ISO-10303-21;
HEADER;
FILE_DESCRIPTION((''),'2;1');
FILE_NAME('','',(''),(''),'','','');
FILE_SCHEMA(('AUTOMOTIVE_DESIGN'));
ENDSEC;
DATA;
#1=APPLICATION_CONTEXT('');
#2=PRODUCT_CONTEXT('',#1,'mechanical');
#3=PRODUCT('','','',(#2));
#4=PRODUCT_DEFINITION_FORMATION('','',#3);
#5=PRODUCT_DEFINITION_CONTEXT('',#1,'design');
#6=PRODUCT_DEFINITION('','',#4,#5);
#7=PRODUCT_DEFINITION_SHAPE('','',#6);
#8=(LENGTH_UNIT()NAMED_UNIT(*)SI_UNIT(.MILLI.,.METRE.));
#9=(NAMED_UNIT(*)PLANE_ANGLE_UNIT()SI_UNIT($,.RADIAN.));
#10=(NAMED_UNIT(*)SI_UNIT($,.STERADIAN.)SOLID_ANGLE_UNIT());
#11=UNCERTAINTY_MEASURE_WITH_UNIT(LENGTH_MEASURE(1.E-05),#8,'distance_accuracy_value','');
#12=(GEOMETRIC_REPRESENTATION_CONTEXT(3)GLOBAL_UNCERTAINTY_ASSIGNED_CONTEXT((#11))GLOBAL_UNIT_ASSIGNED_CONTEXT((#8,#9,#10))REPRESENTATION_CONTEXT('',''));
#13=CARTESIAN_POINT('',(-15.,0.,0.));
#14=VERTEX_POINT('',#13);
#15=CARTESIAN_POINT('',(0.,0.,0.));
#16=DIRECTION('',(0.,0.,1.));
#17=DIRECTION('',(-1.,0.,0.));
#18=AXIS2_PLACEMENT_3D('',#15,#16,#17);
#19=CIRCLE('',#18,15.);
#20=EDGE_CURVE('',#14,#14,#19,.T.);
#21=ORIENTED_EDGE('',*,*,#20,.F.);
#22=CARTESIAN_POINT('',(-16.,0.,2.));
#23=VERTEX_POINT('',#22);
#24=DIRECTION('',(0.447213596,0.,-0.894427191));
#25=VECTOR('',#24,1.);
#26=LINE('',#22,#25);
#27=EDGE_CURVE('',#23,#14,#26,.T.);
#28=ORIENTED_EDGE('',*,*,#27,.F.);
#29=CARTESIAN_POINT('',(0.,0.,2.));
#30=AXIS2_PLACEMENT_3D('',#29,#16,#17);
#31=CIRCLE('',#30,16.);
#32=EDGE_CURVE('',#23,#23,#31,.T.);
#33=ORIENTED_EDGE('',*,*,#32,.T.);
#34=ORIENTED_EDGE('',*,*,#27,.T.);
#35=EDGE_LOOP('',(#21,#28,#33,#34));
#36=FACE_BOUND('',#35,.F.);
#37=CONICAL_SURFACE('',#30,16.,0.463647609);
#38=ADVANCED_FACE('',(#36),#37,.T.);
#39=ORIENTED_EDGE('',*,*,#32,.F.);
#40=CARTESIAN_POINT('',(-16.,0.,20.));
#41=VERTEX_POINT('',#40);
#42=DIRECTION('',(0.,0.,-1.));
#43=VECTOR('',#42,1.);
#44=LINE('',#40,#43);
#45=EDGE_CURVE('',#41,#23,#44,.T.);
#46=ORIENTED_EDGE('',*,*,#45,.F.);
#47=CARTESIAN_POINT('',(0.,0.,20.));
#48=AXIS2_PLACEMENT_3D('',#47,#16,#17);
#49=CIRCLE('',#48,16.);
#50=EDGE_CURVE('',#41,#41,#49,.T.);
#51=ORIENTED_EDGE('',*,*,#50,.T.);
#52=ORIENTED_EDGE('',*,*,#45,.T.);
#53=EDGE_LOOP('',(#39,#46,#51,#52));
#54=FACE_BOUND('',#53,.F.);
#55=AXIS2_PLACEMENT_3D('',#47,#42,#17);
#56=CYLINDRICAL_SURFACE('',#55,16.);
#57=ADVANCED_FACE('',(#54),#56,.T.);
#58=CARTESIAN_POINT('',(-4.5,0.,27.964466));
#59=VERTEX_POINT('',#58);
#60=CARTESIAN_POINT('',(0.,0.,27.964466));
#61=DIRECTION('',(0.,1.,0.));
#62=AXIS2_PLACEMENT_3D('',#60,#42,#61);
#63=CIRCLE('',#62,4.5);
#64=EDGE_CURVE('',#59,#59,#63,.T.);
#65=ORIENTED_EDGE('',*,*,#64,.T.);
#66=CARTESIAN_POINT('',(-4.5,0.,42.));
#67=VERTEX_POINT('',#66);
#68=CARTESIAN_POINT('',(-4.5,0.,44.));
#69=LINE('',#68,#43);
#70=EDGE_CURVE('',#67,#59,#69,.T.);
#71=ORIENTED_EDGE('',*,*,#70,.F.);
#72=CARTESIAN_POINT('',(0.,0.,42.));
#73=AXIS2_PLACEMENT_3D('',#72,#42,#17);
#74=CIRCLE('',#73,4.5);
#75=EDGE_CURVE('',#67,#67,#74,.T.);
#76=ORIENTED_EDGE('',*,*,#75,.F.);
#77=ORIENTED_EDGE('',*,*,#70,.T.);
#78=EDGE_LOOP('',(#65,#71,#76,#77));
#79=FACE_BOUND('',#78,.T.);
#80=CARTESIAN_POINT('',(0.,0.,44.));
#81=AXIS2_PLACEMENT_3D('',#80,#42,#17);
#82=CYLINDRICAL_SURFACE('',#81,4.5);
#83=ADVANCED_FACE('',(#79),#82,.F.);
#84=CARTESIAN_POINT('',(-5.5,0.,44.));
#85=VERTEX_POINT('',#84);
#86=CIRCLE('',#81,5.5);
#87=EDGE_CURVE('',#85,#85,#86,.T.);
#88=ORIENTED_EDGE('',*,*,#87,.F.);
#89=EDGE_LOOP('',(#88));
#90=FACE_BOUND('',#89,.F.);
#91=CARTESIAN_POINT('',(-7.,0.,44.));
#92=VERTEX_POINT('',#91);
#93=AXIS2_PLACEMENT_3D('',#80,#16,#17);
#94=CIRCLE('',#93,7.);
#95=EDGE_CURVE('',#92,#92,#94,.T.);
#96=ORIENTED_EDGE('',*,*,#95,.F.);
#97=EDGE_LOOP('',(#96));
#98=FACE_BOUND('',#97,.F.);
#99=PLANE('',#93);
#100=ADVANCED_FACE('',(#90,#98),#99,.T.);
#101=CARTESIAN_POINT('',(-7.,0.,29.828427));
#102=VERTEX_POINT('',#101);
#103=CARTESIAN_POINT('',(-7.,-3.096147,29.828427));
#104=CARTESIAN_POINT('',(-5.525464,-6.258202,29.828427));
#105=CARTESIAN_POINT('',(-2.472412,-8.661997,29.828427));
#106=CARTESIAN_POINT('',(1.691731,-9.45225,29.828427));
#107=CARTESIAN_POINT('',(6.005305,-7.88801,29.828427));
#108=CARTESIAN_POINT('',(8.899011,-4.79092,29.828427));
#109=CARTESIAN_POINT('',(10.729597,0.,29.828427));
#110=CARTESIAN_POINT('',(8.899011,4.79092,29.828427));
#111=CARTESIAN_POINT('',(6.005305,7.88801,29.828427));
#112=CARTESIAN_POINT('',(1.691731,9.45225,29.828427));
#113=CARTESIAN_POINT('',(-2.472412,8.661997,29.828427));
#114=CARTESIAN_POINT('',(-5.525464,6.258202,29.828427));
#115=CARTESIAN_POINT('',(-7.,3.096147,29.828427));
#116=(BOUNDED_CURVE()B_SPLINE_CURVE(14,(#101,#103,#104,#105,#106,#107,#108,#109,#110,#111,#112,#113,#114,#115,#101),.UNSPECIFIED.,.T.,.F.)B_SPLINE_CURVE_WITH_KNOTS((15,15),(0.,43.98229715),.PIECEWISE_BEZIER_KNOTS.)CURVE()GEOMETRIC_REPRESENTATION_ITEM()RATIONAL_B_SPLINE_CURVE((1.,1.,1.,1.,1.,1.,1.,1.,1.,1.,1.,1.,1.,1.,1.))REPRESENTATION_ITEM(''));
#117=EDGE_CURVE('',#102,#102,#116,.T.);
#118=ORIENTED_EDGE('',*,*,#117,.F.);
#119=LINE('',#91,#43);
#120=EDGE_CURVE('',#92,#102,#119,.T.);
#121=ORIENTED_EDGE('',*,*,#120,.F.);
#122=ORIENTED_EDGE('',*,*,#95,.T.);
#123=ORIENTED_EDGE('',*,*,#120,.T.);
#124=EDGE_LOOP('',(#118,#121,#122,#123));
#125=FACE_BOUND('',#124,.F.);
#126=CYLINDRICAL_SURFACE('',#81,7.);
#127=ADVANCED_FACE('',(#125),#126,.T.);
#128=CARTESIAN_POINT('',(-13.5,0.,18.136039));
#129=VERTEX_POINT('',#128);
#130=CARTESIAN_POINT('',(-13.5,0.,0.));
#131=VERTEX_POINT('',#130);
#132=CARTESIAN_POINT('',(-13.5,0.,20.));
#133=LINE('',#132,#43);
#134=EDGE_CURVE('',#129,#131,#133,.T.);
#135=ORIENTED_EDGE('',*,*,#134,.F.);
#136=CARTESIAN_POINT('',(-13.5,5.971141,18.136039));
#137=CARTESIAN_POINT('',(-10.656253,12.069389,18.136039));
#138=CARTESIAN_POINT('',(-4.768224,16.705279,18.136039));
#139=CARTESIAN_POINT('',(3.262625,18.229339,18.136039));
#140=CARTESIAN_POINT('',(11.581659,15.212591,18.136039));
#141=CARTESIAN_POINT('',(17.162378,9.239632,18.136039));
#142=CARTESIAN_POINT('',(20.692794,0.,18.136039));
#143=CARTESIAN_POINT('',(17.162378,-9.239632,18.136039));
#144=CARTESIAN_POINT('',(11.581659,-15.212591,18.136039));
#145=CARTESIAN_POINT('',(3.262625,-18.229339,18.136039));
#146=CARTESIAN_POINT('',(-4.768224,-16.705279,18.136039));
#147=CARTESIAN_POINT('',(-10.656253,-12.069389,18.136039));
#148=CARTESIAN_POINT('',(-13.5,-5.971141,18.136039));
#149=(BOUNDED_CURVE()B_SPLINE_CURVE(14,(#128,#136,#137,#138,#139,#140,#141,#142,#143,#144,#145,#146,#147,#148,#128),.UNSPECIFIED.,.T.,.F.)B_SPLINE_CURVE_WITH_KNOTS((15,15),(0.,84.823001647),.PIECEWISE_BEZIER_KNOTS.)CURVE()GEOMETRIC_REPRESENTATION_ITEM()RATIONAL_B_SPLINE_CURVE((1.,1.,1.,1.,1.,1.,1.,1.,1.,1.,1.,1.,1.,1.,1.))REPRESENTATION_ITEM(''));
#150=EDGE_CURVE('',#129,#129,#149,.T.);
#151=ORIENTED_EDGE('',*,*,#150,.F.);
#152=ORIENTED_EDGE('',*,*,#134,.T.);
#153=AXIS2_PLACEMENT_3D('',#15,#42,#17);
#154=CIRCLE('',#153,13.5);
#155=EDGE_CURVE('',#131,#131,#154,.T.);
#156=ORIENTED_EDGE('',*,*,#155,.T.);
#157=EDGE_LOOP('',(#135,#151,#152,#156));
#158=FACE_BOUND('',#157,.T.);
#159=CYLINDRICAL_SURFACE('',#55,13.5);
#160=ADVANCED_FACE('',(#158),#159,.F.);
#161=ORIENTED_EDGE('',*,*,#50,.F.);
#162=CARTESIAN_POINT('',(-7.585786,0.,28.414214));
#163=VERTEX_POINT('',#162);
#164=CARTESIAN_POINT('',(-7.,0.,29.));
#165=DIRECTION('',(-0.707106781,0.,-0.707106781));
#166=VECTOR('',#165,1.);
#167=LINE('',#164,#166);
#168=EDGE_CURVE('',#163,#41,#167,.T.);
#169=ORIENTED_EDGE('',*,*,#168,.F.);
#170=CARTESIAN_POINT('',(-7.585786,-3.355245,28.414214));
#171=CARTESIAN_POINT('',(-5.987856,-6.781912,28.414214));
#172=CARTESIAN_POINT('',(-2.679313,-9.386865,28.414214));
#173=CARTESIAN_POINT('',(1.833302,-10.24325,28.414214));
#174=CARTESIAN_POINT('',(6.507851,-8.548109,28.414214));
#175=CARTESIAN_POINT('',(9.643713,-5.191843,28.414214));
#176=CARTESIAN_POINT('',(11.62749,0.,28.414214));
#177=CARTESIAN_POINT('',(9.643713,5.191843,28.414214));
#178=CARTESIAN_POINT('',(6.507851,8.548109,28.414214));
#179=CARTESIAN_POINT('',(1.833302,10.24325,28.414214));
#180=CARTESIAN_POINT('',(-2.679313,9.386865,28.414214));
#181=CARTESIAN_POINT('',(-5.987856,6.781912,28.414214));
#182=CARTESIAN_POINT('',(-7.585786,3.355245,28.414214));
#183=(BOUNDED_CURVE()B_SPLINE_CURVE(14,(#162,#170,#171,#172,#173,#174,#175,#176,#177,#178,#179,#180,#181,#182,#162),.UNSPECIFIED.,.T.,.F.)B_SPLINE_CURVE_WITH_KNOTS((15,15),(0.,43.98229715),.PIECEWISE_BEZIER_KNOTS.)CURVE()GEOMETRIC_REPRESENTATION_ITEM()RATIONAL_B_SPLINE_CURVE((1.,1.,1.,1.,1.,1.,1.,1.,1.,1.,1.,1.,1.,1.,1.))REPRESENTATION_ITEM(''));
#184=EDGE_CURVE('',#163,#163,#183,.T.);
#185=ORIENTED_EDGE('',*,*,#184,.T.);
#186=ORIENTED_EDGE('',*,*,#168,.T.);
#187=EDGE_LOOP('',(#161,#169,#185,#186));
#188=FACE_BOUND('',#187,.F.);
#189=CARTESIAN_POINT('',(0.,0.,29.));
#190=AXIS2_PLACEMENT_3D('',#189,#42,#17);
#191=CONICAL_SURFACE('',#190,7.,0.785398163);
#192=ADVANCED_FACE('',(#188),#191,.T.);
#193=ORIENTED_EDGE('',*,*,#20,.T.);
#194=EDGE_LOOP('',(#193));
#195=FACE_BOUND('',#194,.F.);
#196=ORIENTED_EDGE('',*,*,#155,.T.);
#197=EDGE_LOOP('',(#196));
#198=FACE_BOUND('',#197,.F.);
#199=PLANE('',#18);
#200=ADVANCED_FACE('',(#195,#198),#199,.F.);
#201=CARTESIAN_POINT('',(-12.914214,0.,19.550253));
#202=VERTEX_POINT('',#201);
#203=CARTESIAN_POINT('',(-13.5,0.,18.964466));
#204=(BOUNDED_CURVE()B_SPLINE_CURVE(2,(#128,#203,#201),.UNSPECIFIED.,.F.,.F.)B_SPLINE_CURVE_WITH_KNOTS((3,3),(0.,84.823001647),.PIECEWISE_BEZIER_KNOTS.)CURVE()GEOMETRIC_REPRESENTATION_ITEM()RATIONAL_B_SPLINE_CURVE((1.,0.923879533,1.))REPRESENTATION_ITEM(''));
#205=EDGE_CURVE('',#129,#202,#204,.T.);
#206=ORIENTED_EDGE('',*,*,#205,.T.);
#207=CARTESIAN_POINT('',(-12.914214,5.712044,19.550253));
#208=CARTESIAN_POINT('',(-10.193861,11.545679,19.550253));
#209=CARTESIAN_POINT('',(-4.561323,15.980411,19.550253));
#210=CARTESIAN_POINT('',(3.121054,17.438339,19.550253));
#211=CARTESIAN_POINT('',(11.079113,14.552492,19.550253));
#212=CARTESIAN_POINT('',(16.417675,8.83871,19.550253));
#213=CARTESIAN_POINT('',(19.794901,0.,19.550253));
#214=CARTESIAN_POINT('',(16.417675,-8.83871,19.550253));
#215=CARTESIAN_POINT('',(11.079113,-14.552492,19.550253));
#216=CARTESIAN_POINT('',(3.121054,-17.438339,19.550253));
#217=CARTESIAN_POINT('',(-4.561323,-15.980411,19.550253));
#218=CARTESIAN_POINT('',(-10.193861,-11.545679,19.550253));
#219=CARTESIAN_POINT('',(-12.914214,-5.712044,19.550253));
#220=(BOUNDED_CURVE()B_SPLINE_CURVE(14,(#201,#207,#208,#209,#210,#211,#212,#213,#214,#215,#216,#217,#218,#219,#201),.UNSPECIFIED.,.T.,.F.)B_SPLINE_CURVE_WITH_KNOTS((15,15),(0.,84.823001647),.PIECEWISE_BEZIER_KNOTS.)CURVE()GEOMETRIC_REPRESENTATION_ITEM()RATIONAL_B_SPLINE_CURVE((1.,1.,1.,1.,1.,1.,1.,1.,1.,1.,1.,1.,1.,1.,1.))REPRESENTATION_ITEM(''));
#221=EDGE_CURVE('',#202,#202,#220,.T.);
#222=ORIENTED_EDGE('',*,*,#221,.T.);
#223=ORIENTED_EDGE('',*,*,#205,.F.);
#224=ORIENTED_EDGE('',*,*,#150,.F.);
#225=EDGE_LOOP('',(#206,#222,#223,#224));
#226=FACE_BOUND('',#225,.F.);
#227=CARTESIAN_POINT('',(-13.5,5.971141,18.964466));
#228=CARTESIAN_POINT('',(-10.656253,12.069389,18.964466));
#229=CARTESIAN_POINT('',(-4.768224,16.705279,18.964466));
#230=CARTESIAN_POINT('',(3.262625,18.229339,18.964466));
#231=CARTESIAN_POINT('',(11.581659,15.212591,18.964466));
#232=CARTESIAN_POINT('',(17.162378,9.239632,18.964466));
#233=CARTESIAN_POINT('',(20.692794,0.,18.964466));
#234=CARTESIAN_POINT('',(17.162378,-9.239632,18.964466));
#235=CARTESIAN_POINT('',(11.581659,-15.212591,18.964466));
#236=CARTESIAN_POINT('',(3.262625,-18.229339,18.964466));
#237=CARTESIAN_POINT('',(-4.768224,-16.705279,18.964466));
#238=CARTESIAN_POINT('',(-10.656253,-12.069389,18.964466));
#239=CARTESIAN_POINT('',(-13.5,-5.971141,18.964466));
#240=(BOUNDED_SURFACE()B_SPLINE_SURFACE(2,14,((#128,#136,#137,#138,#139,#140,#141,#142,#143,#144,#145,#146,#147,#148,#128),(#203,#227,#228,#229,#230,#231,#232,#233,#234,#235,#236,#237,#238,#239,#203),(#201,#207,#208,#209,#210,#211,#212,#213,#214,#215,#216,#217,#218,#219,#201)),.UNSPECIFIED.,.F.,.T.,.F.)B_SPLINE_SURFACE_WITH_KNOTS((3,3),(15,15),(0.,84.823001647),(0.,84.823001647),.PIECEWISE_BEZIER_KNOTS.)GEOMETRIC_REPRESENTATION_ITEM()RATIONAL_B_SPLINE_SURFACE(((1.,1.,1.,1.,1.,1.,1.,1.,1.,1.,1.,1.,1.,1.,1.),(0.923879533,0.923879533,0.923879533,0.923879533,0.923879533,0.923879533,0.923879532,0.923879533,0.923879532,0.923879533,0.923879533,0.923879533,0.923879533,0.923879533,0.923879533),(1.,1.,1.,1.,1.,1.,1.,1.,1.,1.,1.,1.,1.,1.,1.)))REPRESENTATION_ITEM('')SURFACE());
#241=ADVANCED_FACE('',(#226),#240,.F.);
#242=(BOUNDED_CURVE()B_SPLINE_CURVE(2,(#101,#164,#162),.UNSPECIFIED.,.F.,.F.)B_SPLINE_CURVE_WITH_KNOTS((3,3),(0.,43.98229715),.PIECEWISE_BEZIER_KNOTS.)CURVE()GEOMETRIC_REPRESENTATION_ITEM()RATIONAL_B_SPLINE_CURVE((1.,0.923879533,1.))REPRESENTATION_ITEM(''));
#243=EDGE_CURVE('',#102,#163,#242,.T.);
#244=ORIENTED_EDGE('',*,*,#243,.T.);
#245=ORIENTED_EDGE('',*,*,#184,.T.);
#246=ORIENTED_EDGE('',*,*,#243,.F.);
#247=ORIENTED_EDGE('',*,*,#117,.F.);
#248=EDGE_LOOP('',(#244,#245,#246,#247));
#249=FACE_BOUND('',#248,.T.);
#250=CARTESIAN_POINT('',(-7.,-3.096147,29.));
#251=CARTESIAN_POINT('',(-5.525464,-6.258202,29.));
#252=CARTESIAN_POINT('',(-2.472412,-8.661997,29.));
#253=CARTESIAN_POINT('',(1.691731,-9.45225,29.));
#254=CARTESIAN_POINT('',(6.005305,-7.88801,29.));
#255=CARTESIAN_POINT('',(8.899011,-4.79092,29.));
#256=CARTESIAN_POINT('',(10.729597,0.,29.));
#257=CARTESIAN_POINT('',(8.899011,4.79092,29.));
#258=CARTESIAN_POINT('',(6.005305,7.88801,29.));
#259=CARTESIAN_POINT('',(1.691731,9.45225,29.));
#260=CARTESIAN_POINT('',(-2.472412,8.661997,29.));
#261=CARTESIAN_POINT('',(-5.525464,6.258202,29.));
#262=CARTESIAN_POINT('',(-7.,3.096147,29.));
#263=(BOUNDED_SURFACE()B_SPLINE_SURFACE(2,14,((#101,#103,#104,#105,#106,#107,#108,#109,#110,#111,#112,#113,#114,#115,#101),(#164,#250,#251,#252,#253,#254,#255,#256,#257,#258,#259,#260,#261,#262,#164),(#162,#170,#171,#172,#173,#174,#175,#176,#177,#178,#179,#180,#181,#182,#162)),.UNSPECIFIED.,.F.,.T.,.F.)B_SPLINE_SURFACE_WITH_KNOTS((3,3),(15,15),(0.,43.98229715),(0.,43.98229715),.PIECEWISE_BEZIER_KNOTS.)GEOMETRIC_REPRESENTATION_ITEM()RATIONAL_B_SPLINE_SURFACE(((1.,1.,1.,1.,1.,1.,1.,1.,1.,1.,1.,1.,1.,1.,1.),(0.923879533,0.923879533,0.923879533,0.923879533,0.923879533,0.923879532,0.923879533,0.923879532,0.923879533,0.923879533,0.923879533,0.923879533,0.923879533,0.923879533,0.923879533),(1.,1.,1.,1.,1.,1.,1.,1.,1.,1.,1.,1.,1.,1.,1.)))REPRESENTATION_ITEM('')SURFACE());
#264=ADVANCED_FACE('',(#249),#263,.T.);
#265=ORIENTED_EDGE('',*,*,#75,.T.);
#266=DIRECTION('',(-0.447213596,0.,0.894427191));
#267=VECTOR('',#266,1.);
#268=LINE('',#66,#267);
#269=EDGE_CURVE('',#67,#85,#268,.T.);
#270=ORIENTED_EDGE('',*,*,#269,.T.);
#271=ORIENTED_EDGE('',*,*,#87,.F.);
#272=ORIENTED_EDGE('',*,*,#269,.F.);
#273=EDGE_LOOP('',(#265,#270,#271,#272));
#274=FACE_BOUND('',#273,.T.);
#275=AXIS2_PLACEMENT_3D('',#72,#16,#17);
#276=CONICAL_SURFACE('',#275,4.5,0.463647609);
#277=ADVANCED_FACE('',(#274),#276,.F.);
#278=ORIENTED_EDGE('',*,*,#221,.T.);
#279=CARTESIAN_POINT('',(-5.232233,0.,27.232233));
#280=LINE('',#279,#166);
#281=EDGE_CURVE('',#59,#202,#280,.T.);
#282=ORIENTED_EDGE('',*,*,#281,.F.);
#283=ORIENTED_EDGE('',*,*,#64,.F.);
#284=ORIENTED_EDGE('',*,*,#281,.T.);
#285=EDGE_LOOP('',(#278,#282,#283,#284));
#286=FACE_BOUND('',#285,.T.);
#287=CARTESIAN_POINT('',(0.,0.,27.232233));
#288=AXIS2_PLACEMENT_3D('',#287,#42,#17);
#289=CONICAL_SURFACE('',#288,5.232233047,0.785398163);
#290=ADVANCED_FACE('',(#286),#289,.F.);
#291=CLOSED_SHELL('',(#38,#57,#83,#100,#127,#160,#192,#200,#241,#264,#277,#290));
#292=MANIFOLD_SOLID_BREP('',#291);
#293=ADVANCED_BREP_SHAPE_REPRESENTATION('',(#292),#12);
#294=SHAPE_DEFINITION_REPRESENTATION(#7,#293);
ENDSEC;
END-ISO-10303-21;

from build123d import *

# Parameters (mm, degrees)
F2_T       = -2.5
F3_R       = 2
F4_SIZE2   = 1
F4_SIZE    = 2
F4_2_SIZE2 = 1
F4_2_SIZE  = 2


with BuildPart() as f1:
    # F0 (on Front) → F1 (revolve)
    with BuildSketch(Plane.XZ):
        Polygon((0, 0), (0, 44), (-7, 44), (-7, 29), (-16, 20), (-16, 0), align=None)
    revolve(axis=Axis((0, 0, 22), (0, 0, 1)))

    # F2
    f2_openings = [f1.faces().sort_by_distance(p)[0] for p in [
        (0, 0, 44),
        (0, 0, 0),
    ]]
    offset(amount=F2_T, openings=f2_openings, kind=Kind.INTERSECTION)

    # F3
    f3_edges = [f1.edges().sort_by_distance(p)[0] for p in [
        (7, 0, 29),
        (13.5, 0, 18.964466),
    ]]
    fillet(f3_edges, radius=F3_R)

    # F4
    f4_edges = [f1.edges().sort_by_distance(p)[0] for p in [
        (16, 0, 0),
    ]]
    f4_side = f1.faces().sort_by_distance((16, 0, 10))[0]
    chamfer(f4_edges, length=F4_SIZE, length2=F4_SIZE2, reference=f4_side)

    # F4#2
    f4_2_edges = [f1.edges().sort_by_distance(p)[0] for p in [
        (4.5, 0, 44),
    ]]
    f4_2_side = f1.faces().sort_by_distance((4.5, 0, 35.982233))[0]
    chamfer(f4_2_edges, length=F4_2_SIZE, length2=F4_2_SIZE2, reference=f4_2_side)


solid = f1.part
